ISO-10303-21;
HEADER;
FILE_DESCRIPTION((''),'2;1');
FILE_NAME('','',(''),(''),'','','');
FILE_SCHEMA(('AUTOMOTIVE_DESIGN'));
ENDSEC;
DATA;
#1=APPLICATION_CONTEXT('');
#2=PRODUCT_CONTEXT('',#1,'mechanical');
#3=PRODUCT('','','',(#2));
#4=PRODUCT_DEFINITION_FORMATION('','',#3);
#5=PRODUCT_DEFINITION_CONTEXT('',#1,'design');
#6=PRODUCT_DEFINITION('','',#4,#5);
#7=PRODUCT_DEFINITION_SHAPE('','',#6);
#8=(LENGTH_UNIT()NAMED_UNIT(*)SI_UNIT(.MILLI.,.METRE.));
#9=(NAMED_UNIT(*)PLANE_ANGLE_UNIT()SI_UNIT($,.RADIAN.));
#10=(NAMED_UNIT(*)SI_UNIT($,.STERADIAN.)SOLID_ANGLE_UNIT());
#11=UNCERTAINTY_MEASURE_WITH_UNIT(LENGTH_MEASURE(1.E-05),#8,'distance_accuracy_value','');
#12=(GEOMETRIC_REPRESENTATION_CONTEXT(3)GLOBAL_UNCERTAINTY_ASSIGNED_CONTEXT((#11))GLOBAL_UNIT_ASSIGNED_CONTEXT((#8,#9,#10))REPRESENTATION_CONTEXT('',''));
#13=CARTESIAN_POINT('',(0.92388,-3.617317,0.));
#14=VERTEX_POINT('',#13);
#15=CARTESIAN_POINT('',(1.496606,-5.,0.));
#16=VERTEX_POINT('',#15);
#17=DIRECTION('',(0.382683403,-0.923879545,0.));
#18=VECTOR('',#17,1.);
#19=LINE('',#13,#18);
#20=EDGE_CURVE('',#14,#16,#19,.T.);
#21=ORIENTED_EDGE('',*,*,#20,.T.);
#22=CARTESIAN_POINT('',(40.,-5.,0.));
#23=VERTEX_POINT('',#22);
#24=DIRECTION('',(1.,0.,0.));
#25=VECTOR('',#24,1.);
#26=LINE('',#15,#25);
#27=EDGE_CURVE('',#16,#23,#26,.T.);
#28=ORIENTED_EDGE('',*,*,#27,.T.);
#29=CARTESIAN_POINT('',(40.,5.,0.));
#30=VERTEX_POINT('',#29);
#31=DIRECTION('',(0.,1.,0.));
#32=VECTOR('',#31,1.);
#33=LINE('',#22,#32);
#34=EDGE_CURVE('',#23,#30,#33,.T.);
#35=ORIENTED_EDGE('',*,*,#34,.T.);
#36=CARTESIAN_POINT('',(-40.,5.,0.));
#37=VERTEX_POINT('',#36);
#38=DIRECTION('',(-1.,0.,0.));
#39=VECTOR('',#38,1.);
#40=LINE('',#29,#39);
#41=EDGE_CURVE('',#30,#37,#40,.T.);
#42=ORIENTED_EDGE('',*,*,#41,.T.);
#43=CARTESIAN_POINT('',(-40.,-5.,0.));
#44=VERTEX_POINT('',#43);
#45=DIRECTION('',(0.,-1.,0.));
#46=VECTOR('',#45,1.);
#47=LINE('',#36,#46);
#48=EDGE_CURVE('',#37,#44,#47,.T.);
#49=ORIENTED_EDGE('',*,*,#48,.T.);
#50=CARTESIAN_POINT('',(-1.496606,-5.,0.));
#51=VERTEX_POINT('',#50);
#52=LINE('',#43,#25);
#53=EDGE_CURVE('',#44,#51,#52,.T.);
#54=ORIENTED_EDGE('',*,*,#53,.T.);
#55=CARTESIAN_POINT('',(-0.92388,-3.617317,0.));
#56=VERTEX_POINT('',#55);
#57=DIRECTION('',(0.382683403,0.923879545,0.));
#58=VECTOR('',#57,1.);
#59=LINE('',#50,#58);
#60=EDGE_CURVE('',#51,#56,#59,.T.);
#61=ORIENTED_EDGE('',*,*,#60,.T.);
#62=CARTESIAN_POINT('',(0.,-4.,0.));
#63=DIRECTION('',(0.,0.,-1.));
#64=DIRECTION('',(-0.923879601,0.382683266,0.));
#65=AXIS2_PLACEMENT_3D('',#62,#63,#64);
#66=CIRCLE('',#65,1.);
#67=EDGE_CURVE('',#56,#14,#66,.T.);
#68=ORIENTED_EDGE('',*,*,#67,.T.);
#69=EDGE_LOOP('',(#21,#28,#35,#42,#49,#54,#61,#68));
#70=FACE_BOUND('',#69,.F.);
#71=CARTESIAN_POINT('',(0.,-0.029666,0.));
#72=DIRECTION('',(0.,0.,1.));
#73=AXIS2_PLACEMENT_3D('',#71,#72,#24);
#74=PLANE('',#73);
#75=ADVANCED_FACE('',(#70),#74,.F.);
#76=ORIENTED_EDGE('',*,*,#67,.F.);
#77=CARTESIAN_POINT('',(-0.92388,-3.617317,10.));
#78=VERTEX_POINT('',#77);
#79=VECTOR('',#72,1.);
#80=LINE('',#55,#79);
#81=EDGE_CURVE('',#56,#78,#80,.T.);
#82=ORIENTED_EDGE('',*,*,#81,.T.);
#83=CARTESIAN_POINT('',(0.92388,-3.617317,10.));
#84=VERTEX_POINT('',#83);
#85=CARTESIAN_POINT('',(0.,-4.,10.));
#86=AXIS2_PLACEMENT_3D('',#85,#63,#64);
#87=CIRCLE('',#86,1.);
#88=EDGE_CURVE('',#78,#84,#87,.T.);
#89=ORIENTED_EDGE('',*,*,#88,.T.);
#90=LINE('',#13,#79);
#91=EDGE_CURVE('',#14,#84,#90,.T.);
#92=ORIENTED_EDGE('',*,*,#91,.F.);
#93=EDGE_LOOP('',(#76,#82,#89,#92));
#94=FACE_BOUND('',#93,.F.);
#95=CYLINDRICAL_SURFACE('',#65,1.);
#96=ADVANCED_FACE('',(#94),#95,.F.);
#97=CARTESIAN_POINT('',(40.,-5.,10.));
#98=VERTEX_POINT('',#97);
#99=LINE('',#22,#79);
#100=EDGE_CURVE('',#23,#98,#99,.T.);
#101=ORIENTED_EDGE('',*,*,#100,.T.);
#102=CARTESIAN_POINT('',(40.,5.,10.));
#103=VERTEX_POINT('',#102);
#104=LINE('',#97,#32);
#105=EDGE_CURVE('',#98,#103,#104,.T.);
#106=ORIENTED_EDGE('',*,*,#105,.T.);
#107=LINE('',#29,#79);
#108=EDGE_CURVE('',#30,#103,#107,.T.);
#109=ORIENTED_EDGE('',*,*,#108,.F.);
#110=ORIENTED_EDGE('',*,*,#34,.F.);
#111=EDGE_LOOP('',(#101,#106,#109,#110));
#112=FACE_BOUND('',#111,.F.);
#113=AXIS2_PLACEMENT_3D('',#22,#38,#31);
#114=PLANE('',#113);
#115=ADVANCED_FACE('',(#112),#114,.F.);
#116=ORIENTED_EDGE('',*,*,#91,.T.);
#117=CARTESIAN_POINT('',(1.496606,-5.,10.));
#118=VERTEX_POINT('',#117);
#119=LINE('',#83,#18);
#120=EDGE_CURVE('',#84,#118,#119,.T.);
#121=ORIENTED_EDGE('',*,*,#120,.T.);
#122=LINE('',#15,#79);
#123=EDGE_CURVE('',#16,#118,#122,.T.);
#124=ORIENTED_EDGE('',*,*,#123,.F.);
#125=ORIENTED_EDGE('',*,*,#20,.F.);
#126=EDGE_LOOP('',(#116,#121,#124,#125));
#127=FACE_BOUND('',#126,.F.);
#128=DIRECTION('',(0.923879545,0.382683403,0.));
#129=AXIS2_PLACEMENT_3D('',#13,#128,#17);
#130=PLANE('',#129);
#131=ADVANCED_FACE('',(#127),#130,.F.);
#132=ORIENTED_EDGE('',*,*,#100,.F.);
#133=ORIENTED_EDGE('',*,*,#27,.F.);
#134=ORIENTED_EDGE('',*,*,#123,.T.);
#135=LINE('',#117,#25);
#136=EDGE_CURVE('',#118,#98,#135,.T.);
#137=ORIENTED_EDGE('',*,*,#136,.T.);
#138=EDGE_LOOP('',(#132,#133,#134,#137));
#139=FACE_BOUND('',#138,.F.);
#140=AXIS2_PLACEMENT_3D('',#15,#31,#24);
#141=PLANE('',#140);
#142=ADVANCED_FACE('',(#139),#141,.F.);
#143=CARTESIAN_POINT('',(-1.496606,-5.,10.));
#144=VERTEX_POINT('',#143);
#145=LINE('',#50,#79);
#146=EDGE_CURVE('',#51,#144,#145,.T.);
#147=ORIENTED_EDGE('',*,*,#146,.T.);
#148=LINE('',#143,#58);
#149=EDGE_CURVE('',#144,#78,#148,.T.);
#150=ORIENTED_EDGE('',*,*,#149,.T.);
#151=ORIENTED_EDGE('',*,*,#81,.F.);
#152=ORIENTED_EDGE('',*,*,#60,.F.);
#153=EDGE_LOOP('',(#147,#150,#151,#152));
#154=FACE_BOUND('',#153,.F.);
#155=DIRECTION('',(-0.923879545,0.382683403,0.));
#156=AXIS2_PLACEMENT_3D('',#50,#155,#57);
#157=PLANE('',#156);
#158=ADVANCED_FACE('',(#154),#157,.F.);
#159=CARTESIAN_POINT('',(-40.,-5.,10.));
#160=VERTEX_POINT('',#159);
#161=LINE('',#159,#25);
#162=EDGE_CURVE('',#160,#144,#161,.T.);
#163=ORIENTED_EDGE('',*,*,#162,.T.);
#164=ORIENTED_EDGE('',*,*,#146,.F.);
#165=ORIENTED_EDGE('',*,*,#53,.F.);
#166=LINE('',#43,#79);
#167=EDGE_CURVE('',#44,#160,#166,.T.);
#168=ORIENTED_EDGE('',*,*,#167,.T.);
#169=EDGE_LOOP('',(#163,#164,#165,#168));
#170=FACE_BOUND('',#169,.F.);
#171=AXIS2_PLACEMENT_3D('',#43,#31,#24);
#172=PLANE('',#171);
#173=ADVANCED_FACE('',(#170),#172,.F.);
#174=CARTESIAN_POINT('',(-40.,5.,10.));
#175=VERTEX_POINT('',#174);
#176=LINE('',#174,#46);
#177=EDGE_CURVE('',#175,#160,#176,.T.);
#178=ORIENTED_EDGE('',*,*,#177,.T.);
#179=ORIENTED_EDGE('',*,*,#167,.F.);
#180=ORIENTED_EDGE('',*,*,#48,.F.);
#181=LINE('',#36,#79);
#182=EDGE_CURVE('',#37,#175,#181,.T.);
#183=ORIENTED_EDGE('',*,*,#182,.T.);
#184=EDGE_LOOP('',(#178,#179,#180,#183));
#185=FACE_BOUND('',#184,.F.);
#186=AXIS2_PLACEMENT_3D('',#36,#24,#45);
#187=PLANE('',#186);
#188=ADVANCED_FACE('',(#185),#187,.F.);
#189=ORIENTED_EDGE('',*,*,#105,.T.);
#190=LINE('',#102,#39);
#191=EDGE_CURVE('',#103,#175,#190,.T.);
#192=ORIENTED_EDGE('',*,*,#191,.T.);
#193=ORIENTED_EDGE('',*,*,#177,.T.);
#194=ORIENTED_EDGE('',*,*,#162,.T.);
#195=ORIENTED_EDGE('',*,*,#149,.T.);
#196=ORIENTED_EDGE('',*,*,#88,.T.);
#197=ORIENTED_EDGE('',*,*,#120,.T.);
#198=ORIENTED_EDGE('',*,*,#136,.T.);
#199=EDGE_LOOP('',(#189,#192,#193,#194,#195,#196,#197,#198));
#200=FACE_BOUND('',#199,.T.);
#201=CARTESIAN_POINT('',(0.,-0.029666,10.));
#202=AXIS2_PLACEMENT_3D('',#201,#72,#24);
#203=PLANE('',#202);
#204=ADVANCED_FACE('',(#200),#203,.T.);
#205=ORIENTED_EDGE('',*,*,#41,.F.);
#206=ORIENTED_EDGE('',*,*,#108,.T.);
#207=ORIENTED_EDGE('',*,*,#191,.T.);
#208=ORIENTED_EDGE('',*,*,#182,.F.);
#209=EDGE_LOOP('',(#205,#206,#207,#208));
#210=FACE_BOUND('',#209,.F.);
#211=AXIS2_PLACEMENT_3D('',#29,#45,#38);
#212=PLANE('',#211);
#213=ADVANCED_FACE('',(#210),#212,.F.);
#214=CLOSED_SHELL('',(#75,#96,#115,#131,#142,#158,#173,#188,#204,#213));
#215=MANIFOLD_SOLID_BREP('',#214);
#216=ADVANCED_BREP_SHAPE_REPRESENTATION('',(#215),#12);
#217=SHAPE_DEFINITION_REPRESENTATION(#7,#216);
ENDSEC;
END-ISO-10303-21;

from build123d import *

# Parameters (mm, degrees)
F1_DEPTH = 10


with BuildPart() as f1:
    # F0 (on Top) → F1 (new body)
    with BuildSketch(Plane.XY):
        with BuildLine():
            Line((40, 5), (-40, 5))
            Line((-40, 5), (-40, -5))
            Line((-40, -5), (-1.496606, -5))
            Line((-1.496606, -5), (-0.92388, -3.617317))
            ThreePointArc((-0.92388, -3.617317), (0, -3), (0.92388, -3.617317))
            Line((0.92388, -3.617317), (1.496606, -5))
            Line((1.496606, -5), (40, -5))
            Line((40, -5), (40, 5))
        make_face()
    extrude(amount=F1_DEPTH)


solid = f1.part
